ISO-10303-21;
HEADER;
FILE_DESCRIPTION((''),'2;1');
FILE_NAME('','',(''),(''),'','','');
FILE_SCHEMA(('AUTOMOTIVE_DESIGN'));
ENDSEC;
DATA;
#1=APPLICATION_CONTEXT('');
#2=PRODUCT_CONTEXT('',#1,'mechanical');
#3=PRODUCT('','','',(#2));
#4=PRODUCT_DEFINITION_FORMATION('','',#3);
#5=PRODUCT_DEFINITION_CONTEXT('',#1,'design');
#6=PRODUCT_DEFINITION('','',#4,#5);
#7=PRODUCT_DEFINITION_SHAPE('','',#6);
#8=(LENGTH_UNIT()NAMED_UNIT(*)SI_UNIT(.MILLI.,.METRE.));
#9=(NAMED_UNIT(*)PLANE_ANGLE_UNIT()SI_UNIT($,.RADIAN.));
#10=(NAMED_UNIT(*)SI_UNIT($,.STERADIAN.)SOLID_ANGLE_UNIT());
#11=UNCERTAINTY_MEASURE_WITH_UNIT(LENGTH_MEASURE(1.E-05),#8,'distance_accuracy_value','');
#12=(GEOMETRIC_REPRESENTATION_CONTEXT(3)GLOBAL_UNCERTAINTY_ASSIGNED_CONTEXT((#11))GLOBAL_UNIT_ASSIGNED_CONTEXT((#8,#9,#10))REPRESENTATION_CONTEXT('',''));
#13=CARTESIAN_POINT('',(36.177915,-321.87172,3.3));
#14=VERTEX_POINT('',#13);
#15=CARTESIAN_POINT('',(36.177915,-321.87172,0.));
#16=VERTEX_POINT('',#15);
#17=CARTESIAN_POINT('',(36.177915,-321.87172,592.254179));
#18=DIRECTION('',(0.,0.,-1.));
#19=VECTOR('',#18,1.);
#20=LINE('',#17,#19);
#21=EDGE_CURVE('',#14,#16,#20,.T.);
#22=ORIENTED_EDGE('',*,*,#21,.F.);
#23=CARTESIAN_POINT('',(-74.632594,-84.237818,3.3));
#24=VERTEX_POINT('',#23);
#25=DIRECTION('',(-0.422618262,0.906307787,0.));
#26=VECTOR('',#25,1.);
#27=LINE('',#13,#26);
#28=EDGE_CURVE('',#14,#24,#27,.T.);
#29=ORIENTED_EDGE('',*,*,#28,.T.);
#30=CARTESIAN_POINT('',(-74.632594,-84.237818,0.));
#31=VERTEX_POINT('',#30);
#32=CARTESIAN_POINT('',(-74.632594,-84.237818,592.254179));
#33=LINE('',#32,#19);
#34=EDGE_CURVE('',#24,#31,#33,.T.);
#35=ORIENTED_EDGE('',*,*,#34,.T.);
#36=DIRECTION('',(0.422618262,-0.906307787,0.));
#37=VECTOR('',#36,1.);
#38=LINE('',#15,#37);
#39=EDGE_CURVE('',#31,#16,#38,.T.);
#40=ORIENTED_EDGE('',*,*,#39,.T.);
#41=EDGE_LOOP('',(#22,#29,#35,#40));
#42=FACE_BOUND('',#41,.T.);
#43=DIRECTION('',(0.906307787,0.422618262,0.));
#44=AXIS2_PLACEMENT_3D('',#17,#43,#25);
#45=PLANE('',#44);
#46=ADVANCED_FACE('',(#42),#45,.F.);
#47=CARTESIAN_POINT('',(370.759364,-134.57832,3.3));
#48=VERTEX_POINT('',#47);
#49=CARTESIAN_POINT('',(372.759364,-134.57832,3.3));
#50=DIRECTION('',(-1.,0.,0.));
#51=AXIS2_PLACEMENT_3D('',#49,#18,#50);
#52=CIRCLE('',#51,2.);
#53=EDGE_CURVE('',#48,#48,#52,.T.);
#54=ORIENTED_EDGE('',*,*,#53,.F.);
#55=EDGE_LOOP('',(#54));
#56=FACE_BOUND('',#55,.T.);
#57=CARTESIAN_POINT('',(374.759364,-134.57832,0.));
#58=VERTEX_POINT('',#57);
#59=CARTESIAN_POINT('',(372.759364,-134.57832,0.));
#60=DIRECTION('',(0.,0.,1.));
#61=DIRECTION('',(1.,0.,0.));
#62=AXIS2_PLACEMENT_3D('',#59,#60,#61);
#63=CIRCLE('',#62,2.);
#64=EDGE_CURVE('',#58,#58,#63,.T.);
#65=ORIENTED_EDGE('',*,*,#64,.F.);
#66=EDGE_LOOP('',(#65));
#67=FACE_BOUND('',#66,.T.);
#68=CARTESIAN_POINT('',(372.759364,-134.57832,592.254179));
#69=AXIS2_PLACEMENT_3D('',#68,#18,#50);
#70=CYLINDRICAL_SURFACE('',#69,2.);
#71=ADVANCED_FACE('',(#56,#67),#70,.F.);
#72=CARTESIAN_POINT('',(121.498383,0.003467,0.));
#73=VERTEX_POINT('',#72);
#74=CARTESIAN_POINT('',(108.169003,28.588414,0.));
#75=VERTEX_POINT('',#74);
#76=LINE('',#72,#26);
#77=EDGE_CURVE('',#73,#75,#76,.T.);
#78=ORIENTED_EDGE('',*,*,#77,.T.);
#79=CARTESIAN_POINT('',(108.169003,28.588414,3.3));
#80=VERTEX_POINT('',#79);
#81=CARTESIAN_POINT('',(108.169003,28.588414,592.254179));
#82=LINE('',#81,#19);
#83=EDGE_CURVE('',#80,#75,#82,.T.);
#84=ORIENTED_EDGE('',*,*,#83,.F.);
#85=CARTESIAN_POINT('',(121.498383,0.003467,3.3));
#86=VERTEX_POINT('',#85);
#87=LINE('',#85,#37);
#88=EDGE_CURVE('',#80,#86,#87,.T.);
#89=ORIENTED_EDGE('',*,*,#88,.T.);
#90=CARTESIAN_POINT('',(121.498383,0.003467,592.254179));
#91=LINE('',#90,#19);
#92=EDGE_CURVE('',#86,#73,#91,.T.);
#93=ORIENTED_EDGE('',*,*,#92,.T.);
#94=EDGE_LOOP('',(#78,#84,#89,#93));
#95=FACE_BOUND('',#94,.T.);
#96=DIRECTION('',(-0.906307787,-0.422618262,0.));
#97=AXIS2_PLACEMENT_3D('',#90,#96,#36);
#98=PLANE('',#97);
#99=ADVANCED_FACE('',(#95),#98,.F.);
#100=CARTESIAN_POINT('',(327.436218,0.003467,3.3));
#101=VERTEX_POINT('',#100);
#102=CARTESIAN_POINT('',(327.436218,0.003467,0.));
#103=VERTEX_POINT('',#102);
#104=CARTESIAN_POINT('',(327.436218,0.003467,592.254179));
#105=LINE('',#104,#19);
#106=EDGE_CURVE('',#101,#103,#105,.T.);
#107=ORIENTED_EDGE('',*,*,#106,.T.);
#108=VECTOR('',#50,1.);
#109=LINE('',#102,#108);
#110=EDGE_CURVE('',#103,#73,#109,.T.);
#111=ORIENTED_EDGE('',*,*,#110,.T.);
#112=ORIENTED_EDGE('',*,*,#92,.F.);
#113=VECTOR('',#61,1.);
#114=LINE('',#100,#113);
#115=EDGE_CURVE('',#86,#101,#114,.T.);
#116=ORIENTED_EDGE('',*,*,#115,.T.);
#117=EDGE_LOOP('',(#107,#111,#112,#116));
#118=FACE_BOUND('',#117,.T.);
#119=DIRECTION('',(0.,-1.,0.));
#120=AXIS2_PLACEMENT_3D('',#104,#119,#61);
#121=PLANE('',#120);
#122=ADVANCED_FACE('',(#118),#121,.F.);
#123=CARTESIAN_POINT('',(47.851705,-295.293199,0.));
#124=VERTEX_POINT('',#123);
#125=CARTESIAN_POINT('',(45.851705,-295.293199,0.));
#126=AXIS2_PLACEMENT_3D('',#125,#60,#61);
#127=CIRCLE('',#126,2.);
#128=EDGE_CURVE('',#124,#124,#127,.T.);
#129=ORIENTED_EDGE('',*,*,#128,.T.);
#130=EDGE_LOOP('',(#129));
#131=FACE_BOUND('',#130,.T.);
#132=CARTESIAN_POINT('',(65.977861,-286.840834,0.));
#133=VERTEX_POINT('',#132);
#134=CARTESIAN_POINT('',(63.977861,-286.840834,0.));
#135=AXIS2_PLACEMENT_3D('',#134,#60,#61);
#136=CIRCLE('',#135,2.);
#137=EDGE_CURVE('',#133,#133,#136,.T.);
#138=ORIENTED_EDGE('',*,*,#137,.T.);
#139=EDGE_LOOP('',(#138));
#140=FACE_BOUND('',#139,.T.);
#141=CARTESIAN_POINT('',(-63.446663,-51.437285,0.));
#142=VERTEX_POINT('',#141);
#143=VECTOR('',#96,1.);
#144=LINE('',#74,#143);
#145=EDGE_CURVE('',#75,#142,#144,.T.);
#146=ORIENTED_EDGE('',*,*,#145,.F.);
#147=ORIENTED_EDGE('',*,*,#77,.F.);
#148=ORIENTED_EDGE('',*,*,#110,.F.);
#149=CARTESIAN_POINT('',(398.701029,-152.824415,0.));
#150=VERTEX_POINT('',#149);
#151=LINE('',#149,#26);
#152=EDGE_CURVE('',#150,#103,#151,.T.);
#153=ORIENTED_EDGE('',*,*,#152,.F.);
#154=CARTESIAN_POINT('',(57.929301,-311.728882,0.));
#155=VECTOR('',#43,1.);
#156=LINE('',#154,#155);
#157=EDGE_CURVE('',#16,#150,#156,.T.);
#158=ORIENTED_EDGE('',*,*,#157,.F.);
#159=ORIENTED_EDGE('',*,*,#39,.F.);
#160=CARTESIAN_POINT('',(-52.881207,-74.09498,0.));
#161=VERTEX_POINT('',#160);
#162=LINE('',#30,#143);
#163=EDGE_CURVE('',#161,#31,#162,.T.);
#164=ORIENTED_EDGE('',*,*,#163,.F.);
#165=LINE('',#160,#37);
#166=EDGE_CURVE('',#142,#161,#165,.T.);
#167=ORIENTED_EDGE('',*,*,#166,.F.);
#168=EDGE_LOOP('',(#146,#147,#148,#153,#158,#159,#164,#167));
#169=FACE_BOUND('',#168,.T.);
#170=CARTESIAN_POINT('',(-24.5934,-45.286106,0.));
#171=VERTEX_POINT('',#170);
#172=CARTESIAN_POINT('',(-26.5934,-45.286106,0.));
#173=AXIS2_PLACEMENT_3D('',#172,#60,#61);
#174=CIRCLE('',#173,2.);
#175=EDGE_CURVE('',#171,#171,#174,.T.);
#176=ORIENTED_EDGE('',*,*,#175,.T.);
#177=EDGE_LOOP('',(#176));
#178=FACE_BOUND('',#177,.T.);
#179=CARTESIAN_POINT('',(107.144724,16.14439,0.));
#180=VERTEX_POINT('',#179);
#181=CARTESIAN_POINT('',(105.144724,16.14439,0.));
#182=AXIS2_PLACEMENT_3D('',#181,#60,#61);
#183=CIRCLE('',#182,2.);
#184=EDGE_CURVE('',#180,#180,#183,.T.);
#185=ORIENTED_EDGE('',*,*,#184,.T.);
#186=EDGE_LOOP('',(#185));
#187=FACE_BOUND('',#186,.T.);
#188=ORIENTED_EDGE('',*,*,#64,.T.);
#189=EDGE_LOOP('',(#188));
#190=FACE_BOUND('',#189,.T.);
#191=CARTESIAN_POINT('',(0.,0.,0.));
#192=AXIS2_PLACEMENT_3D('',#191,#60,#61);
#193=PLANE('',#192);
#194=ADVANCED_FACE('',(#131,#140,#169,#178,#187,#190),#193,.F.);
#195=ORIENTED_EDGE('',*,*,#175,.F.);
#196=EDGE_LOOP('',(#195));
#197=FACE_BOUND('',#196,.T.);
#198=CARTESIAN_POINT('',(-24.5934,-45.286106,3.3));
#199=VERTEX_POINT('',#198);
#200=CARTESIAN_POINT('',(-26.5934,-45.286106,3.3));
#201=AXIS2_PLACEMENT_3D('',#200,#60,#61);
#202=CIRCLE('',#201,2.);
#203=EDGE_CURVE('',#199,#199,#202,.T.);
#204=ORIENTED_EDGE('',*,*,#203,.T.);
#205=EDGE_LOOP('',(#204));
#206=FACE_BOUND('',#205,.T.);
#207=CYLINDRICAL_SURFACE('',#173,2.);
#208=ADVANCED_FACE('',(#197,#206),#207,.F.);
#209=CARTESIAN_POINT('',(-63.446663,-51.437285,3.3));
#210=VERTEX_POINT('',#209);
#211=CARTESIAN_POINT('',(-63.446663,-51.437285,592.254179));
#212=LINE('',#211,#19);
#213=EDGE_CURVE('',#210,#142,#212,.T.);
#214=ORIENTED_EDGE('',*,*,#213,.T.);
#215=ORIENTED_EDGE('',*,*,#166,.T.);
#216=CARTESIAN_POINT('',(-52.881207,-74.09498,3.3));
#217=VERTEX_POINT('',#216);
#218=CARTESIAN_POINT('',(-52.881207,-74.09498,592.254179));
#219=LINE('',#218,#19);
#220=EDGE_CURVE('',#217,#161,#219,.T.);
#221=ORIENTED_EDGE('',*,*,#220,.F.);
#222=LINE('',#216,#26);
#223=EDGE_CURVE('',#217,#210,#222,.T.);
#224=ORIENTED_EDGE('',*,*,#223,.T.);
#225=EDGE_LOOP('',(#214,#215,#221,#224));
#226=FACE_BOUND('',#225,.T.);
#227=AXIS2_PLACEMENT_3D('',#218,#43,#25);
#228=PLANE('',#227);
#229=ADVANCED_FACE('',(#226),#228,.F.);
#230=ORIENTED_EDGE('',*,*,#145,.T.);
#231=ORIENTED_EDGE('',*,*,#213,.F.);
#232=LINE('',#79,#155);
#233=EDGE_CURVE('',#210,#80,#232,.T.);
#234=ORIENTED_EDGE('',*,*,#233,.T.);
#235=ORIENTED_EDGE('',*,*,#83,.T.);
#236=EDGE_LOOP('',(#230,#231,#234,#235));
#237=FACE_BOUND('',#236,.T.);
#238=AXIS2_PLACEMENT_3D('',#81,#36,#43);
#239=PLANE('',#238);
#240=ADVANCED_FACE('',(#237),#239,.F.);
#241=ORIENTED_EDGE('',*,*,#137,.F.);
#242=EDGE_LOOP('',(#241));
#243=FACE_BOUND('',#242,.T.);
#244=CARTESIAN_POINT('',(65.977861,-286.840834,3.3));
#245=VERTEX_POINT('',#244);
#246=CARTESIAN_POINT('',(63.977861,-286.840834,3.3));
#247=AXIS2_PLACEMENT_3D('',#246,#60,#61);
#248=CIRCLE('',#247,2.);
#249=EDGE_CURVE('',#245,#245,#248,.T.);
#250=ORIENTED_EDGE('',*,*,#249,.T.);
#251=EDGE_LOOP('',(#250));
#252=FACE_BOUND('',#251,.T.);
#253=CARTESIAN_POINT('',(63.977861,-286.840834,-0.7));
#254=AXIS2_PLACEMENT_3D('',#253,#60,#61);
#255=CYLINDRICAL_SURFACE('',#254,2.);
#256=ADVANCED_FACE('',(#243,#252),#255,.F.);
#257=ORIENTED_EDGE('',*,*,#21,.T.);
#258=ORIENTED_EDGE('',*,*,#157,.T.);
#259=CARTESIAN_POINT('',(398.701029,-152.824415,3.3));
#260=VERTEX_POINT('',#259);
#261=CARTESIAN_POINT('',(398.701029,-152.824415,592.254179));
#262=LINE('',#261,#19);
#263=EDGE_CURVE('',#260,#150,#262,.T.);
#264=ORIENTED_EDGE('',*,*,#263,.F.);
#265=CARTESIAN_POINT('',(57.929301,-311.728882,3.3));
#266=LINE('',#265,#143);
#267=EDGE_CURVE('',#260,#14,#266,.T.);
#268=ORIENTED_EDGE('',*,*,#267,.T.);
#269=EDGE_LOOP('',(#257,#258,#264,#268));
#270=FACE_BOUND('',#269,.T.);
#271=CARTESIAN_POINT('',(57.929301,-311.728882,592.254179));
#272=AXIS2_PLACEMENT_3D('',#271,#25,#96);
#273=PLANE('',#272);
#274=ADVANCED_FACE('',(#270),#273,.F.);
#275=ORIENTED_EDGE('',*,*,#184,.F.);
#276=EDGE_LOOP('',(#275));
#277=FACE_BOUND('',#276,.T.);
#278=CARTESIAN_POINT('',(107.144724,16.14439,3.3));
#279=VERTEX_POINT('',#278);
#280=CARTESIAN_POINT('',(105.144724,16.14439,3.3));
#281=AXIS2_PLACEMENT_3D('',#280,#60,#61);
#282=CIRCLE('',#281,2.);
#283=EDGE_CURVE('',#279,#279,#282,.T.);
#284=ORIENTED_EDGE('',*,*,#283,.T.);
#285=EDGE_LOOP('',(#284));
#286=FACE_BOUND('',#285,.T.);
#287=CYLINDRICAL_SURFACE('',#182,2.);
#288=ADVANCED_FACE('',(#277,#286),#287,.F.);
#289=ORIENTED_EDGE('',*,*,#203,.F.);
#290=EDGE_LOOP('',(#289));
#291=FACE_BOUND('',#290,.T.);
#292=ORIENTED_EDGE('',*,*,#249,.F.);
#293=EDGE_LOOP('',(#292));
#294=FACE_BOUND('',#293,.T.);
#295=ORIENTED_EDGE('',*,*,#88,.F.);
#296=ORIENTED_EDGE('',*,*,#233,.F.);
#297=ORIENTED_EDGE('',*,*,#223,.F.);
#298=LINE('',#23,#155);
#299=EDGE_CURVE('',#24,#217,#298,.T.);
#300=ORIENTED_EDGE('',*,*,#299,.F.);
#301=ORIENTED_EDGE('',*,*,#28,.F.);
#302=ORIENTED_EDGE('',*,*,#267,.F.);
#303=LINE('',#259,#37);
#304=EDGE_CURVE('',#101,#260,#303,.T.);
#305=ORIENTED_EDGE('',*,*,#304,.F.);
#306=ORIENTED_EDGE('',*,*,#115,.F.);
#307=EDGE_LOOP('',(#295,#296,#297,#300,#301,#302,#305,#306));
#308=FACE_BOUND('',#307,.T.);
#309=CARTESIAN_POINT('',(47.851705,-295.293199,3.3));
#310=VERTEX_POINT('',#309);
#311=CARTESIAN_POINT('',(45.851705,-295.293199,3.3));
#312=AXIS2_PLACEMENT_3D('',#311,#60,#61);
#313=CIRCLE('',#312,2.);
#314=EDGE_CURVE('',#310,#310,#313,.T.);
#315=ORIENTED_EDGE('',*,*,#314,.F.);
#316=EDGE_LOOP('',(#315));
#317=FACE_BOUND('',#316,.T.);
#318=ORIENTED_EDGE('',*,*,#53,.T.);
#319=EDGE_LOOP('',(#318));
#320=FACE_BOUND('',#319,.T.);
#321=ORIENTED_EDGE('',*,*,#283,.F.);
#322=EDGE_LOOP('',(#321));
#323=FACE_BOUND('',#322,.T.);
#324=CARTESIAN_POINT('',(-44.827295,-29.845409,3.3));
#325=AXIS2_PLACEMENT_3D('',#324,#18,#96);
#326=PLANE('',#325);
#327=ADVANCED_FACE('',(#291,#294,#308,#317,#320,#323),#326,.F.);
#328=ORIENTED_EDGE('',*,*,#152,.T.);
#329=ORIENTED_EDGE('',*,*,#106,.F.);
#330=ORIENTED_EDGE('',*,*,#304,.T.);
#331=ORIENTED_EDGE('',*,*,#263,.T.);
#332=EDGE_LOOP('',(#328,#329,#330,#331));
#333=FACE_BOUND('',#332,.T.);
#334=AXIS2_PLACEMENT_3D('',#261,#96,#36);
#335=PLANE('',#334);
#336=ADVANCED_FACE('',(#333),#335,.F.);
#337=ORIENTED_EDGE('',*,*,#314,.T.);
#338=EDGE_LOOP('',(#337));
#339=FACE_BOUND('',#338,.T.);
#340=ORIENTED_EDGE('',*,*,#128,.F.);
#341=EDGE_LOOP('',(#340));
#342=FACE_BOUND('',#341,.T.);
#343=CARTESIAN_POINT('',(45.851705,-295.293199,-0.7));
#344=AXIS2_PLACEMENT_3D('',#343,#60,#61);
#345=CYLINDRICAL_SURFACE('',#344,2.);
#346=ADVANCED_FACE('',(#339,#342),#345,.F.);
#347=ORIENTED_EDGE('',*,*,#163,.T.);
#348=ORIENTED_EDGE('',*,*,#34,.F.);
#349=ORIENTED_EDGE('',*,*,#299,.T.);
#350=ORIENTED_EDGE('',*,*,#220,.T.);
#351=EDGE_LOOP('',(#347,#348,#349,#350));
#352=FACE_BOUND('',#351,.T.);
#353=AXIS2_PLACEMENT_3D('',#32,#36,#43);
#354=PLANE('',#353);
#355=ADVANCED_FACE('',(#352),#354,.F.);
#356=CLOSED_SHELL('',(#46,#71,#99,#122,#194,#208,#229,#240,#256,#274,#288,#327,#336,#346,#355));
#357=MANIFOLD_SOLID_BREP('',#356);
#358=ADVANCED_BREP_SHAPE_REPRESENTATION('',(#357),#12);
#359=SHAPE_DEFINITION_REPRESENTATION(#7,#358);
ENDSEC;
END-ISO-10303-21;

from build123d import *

# Parameters (mm, degrees)
SKETCH1_R           = 2
BOSS_EXTRUDE1_DEPTH = 3.3
SKETCH2_R           = 2
CUT_EXTRUDE1_DEPTH  = 513.420535354
SKETCH3_R           = 2
CUT_EXTRUDE2_DEPTH  = 4


with BuildPart() as part:
    # Sketch1 → Boss-Extrude1 (new body)
    with BuildSketch(Plane.XY):
        Polygon((327.436217585, 0.003466677), (121.498383462, 0.003466677), (108.169003487, 28.58841428), (-63.446663307, -51.437285405), (-52.881206764, -74.094980081), (-74.632593653, -84.237818363), (36.177914576, -321.871720124), (57.929301464, -311.728881842), (398.70102939, -152.824415428), align=None)
        with Locations(Location((372.759364157, -134.57831982, 0), (0, 0, 180))):
            Circle(SKETCH1_R, mode=Mode.SUBTRACT)
    extrude(amount=BOSS_EXTRUDE1_DEPTH)

    # Sketch2 → Cut-Extrude1 (cut, through all)
    with BuildSketch(Plane.XY.offset(3.3)):
        with Locations((105.144723808, 16.144390316)):
            Circle(SKETCH2_R)
        with Locations((-26.593400357, -45.286105853)):
            Circle(SKETCH2_R)
    extrude(amount=-CUT_EXTRUDE1_DEPTH, mode=Mode.SUBTRACT)

    # Sketch3 → Cut-Extrude2 (cut)
    with BuildSketch(Plane.XY.offset(3.3)):
        with Locations((45.851705082, -295.293199148)):
            Circle(SKETCH3_R)
        with Locations((63.977860822, -286.840833914)):
            Circle(SKETCH3_R)
    extrude(amount=-CUT_EXTRUDE2_DEPTH, mode=Mode.SUBTRACT)


solid = part.part
